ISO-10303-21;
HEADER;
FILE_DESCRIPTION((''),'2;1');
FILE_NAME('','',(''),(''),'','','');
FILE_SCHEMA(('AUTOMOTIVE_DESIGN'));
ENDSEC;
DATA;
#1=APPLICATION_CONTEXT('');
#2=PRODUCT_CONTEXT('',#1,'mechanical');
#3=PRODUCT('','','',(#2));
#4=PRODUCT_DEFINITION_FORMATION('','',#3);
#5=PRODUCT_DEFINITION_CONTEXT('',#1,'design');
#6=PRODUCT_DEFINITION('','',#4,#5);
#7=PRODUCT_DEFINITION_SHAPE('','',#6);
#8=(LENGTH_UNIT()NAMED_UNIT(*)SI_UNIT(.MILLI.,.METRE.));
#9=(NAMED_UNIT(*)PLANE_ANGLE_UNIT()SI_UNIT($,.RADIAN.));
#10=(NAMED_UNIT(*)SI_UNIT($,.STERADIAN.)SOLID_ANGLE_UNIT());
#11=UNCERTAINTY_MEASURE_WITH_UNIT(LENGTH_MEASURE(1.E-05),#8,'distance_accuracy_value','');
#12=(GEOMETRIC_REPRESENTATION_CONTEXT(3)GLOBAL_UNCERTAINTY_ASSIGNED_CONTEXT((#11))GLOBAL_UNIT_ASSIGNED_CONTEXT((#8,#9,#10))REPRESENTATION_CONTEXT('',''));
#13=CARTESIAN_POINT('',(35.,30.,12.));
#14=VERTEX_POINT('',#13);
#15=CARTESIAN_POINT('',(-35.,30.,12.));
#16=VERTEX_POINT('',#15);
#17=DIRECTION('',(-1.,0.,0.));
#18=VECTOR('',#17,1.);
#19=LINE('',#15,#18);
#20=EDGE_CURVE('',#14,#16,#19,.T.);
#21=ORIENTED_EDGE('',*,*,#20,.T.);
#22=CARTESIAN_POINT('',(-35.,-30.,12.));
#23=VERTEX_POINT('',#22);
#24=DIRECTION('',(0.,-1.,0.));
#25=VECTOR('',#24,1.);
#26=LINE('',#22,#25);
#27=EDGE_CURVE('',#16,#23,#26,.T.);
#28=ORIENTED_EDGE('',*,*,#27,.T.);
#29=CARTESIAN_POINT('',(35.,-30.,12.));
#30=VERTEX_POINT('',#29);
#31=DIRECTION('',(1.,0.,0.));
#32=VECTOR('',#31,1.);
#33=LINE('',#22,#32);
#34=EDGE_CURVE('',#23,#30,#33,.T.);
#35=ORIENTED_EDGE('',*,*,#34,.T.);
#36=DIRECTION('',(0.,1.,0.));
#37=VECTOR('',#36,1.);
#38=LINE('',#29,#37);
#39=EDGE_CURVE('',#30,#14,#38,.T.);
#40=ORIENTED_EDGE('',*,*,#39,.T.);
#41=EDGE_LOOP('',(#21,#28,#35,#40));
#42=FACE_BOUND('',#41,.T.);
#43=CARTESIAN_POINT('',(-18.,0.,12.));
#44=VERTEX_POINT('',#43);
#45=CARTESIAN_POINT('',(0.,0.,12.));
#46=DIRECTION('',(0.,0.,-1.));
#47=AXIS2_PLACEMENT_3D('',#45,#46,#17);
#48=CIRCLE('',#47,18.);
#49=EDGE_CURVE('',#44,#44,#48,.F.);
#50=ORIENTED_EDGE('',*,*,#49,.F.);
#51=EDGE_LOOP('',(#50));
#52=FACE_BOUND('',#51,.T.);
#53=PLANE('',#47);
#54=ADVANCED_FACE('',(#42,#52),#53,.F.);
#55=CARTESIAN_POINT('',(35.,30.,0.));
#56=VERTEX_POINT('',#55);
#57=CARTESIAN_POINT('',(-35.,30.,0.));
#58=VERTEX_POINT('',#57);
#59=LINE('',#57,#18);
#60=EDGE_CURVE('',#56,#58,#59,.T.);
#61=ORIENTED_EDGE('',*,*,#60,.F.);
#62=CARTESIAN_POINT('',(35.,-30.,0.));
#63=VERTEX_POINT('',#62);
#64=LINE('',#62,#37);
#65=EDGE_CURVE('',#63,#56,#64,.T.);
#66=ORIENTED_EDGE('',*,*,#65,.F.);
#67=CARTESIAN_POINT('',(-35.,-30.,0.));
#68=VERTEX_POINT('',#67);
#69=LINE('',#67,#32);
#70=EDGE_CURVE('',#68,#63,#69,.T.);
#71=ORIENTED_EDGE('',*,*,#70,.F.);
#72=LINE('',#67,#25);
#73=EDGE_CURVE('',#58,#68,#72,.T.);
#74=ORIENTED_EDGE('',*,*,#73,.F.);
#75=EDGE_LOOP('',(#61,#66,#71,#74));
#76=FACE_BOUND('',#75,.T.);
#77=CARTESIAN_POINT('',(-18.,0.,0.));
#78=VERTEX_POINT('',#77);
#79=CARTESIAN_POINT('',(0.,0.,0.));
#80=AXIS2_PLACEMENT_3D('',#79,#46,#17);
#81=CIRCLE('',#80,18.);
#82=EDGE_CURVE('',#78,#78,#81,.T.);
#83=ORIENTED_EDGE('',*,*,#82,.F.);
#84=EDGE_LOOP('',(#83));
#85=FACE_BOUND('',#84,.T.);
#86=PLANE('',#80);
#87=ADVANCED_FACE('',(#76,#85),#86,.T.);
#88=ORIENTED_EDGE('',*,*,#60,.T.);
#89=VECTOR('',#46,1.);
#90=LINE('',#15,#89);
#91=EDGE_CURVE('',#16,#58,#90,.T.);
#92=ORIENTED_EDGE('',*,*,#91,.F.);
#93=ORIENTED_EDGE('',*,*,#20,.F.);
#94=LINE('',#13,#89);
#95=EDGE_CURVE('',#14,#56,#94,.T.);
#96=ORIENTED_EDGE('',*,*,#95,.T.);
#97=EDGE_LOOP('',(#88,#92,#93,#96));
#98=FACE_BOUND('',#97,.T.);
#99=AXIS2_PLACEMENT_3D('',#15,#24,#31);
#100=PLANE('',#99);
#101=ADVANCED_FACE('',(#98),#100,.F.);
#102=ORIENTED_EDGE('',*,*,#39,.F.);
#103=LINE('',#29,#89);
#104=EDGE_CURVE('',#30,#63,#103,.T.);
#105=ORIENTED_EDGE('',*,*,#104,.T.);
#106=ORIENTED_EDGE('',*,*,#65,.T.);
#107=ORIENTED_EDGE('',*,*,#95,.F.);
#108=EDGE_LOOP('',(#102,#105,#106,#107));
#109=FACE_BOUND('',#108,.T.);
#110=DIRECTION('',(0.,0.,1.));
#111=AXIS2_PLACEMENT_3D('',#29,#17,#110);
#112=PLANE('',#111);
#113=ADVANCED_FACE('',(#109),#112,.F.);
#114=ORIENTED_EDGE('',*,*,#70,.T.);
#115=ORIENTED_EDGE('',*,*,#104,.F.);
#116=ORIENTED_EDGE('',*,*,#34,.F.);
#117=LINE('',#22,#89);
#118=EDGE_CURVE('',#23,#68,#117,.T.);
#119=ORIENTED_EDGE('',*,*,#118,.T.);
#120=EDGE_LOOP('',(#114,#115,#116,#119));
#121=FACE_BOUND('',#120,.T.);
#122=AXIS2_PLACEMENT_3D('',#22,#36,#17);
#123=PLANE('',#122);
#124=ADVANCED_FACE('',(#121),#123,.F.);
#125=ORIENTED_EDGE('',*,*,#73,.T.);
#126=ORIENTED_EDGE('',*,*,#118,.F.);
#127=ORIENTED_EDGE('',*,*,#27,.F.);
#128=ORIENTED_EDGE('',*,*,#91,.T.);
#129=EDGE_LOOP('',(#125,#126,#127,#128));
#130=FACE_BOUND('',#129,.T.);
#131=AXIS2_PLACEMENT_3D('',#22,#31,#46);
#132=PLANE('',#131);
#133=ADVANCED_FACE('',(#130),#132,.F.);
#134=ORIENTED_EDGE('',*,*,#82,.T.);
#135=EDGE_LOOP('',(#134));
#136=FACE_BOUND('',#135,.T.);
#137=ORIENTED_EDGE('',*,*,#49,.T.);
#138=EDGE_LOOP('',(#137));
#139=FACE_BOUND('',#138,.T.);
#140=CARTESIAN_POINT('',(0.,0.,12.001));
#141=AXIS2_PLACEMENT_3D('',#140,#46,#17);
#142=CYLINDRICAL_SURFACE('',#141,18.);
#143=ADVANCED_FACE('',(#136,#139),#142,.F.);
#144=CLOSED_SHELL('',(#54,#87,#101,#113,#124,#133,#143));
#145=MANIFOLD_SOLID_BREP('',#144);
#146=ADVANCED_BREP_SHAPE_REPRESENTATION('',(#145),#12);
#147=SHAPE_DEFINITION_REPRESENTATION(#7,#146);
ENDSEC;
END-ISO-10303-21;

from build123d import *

# Parameters (mm, degrees)
SKETCH_1_W          = 70
SKETCH_1_H          = 60
EXTRUDE_1_DEPTH     = 12
CUT_EXTRUDE_1_REACH = 49.634
SKETCH_2_R          = 18


with BuildPart() as part:
    # 草图1 → 凸台-拉伸1 (new body)
    with BuildSketch(Plane.XY):
        Rectangle(SKETCH_1_W, SKETCH_1_H)
    extrude(amount=EXTRUDE_1_DEPTH)

    # 草图2 → 切除-拉伸1 (cut, up to next)
    with BuildSketch(Plane(origin=(0, 0, 0), x_dir=(-1, 0, 0), z_dir=(0, 0, -1)), mode=Mode.PRIVATE) as cut_extrude_1_sk1:
        Circle(SKETCH_2_R)
    cut_extrude_1_tool1 = extrude(cut_extrude_1_sk1.sketch, amount=-CUT_EXTRUDE_1_REACH, mode=Mode.PRIVATE) & part.part
    add(cut_extrude_1_tool1.solids().sort_by_distance((0, 0, 0))[0], mode=Mode.SUBTRACT)


solid = part.part
